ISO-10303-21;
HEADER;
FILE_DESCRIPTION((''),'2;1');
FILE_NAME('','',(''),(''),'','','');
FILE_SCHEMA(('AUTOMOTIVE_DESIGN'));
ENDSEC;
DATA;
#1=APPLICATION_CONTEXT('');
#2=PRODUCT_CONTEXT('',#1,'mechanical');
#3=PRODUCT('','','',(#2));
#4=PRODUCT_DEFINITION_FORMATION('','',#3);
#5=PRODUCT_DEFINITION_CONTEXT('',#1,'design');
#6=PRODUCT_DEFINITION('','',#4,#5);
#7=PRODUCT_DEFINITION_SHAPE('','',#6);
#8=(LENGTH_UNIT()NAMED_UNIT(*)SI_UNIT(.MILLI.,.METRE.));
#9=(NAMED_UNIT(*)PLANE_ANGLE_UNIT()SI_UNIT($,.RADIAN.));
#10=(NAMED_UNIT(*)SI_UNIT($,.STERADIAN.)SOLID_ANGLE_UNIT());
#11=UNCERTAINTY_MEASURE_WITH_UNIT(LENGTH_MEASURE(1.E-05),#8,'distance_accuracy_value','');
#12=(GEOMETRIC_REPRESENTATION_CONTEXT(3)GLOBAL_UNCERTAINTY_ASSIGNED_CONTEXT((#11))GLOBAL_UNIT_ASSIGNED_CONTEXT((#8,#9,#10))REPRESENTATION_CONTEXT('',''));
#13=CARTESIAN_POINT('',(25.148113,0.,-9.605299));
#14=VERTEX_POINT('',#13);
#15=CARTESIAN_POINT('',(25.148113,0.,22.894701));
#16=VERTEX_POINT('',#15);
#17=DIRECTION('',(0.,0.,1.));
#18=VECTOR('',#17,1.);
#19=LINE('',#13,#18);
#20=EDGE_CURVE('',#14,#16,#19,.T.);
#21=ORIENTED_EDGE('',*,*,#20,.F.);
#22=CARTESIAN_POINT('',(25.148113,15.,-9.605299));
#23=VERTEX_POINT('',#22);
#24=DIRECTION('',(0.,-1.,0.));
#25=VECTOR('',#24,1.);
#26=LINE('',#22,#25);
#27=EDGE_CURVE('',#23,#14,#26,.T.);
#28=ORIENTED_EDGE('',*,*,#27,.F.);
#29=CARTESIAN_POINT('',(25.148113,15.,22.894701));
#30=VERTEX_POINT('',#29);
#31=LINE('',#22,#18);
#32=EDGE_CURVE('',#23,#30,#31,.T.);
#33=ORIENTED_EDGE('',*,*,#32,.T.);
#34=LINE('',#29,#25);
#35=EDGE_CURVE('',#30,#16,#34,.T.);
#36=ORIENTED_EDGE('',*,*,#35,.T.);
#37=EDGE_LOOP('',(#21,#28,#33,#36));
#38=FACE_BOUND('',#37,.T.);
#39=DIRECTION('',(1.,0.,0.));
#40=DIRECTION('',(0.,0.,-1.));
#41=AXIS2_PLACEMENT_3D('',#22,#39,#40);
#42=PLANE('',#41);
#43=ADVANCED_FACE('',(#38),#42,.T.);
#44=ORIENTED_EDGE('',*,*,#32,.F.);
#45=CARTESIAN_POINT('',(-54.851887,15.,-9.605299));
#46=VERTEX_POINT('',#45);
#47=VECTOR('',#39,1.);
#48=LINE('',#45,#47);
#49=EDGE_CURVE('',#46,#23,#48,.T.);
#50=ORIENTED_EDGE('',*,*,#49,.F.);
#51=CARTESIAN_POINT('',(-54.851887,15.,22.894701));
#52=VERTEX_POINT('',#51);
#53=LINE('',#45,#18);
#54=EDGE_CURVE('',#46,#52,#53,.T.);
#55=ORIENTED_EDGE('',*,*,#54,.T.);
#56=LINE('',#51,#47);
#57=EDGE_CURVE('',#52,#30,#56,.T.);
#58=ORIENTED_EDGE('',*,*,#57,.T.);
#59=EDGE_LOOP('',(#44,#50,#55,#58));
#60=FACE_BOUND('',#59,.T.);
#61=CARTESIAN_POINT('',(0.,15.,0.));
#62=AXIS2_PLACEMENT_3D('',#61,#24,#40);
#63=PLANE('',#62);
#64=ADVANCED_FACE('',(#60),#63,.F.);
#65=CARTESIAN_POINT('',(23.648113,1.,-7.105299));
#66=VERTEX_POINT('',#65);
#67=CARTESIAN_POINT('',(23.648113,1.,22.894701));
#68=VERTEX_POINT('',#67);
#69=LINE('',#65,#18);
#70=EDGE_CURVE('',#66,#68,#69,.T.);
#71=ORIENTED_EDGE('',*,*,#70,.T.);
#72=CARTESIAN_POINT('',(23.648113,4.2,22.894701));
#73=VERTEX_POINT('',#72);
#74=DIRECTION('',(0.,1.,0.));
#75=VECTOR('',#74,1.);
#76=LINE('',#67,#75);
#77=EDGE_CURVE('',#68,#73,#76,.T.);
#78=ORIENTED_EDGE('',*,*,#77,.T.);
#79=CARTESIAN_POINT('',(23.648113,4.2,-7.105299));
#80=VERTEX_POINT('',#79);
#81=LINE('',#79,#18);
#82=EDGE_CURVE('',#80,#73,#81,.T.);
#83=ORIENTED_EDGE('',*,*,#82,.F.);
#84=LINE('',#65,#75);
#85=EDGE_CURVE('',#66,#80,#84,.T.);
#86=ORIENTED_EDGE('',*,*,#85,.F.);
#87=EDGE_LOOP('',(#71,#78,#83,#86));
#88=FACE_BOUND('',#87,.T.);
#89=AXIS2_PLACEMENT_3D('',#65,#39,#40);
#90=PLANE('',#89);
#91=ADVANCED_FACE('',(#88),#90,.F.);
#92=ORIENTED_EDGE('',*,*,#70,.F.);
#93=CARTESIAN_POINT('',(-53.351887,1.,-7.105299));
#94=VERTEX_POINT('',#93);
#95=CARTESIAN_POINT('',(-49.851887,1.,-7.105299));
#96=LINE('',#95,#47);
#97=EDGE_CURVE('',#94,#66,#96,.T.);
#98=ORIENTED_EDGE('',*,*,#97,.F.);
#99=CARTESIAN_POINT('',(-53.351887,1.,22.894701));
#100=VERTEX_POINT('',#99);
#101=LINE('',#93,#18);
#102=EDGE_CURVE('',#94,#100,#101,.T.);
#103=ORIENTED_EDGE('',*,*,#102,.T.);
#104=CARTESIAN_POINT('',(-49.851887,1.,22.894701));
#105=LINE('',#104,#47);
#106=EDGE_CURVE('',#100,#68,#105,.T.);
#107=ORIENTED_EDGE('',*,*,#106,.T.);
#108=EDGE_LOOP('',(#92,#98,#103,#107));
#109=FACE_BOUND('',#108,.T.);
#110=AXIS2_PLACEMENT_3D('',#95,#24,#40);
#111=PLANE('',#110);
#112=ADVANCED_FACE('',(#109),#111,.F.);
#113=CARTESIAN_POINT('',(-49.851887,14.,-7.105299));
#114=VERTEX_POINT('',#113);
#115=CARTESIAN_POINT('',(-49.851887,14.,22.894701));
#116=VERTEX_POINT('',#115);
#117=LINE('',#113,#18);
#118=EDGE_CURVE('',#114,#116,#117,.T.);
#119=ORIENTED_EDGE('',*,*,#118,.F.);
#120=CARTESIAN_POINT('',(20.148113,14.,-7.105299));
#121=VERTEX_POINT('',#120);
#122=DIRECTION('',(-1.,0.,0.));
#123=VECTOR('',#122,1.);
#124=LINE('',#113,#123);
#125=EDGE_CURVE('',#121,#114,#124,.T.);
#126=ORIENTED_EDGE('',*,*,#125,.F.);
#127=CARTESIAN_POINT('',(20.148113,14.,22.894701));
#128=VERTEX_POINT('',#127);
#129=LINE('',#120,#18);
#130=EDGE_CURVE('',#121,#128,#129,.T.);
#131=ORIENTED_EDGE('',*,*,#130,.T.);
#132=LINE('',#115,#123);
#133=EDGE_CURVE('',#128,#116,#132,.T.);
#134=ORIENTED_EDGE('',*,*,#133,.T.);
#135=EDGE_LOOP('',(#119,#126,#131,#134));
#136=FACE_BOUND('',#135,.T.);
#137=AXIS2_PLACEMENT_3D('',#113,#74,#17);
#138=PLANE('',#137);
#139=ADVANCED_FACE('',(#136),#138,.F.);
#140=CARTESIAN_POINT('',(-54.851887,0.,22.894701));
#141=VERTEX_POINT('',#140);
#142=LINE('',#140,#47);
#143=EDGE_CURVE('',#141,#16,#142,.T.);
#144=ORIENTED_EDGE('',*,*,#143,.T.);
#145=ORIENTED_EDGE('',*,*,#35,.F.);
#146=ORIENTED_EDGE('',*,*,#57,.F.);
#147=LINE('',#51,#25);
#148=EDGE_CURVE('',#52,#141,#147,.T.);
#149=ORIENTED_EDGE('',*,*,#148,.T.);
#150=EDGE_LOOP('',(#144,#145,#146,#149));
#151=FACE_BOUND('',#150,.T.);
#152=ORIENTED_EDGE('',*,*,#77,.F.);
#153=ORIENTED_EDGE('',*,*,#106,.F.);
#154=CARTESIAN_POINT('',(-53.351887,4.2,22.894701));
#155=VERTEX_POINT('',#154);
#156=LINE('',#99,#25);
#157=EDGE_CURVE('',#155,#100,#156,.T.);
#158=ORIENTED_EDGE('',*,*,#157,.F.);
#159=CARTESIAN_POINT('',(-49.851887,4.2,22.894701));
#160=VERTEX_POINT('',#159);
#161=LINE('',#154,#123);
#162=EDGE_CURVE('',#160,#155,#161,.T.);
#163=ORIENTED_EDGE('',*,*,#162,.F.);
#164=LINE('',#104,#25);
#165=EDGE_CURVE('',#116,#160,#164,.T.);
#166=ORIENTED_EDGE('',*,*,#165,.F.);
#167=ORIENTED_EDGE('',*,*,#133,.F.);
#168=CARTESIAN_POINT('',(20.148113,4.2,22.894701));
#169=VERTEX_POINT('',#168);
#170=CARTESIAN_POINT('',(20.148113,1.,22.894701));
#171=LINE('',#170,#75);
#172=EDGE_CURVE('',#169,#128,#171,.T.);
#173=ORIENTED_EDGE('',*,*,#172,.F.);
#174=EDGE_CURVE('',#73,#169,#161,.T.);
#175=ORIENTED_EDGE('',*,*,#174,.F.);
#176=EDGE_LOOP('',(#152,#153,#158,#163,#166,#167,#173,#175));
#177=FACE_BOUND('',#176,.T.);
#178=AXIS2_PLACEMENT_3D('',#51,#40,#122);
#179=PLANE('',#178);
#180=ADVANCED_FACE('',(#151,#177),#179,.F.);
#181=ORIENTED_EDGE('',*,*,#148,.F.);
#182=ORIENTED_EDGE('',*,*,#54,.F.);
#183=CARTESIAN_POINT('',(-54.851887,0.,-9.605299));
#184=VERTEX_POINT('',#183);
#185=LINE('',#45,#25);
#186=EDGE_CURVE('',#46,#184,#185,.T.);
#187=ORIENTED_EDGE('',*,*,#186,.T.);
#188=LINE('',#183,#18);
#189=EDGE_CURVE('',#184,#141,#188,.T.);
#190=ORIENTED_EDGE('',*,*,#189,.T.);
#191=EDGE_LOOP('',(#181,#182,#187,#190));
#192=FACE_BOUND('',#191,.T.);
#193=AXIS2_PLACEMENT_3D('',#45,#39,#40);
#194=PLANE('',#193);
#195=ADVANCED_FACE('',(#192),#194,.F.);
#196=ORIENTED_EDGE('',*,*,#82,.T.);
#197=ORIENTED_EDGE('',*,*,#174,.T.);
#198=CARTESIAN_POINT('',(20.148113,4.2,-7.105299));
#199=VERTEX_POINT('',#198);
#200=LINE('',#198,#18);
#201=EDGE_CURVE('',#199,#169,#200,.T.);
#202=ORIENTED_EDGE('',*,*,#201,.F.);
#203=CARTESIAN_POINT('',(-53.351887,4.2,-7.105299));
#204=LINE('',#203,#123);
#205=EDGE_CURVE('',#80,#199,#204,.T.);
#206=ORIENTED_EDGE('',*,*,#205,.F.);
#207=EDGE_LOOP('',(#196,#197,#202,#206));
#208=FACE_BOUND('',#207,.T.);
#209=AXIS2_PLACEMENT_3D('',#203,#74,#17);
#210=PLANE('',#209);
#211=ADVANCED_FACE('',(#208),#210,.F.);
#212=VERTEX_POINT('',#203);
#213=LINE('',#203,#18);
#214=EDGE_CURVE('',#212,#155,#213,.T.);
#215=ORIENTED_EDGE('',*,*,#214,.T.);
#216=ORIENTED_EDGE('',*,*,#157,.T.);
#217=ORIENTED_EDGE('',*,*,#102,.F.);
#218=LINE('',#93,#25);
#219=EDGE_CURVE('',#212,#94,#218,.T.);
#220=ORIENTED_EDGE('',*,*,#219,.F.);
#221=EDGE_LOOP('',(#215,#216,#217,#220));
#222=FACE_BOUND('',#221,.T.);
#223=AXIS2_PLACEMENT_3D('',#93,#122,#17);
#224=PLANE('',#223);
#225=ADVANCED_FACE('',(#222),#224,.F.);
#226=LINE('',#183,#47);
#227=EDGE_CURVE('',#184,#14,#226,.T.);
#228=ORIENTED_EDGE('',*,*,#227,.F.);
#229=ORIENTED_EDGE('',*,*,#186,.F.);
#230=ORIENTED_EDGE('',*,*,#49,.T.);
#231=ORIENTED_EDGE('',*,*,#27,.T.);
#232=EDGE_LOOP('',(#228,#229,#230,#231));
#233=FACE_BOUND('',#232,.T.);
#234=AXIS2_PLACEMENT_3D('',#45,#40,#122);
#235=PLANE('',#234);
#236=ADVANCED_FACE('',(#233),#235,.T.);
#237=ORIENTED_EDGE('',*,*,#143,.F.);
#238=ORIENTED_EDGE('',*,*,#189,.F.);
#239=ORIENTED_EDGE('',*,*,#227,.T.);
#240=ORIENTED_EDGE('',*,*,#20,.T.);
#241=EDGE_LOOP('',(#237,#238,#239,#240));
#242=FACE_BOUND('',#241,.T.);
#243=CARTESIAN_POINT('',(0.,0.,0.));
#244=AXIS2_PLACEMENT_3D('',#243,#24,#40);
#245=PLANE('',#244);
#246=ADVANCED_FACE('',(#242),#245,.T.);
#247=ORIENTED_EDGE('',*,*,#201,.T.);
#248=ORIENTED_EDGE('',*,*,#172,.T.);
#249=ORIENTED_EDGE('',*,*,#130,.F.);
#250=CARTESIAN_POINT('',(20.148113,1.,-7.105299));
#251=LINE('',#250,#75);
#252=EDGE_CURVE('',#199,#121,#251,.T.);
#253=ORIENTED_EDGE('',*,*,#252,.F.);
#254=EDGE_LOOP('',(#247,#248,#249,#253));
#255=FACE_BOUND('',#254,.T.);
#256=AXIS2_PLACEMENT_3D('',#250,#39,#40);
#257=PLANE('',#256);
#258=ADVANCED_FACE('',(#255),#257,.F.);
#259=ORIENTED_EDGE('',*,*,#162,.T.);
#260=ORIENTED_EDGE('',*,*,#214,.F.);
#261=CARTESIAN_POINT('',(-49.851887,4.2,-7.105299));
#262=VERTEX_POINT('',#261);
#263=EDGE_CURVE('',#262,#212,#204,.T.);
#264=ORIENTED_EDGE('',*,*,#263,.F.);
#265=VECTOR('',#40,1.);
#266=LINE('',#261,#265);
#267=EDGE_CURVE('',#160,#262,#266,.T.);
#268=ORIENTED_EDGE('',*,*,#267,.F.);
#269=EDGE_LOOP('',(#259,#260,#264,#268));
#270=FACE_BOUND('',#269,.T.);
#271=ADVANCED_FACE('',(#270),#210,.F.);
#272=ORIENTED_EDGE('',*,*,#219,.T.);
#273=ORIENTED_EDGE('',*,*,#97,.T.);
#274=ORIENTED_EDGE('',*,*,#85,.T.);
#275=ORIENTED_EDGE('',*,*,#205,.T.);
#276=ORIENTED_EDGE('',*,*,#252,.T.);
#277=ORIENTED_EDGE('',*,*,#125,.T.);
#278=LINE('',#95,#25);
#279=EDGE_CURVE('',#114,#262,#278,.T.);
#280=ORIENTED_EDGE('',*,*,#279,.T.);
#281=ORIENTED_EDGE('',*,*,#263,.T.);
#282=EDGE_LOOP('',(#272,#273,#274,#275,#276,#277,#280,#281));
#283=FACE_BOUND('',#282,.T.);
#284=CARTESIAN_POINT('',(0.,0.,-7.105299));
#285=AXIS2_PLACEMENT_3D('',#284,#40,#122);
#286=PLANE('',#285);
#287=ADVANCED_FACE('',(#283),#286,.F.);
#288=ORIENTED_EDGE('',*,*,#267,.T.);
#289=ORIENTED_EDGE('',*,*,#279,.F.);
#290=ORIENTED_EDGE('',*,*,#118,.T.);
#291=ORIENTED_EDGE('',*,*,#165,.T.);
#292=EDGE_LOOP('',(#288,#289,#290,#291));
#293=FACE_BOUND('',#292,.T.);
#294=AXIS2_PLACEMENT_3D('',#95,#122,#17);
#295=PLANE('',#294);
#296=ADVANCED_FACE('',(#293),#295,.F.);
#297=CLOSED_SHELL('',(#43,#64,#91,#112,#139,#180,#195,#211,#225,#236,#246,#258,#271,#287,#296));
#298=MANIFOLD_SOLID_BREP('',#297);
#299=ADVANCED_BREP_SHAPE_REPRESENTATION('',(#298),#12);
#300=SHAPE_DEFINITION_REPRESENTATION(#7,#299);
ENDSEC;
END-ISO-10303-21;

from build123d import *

# Parameters (mm, degrees)
IZIM1_W                     = 80
IZIM1_H                     = 32.5
Y_KSEKLIK_EKSTR_ZYON2_DEPTH = 15
IZIM2_W                     = 70
IZIM2_H                     = 13
KES_EKSTR_ZYON1_DEPTH       = 30
IZIM3_W                     = 77
IZIM3_H                     = 3.2
KES_EKSTR_ZYON3_DEPTH       = 30


with BuildPart() as part:
    # Çizim1 → Yükseklik-Ekstrüzyon2 (new body)
    with BuildSketch(Plane(origin=(0, 0, 0), x_dir=(1, 0, 0), z_dir=(0, 1, 0))):
        with Locations((-14.85188748, -6.644700861)):
            Rectangle(IZIM1_W, IZIM1_H)
    extrude(amount=Y_KSEKLIK_EKSTR_ZYON2_DEPTH)

    # Çizim2 → Kes-Ekstrüzyon1 (cut)
    with BuildSketch(Plane.XY.offset(22.894700861)):
        with Locations((-14.85188748, 7.5)):
            Rectangle(IZIM2_W, IZIM2_H)
    extrude(amount=-KES_EKSTR_ZYON1_DEPTH, mode=Mode.SUBTRACT)

    # Çizim3 → Kes-Ekstrüzyon3 (cut)
    with BuildSketch(Plane.XY.offset(22.894700861)):
        with Locations((-14.85188748, 2.6)):
            Rectangle(IZIM3_W, IZIM3_H)
    extrude(amount=-KES_EKSTR_ZYON3_DEPTH, mode=Mode.SUBTRACT)


solid = part.part
